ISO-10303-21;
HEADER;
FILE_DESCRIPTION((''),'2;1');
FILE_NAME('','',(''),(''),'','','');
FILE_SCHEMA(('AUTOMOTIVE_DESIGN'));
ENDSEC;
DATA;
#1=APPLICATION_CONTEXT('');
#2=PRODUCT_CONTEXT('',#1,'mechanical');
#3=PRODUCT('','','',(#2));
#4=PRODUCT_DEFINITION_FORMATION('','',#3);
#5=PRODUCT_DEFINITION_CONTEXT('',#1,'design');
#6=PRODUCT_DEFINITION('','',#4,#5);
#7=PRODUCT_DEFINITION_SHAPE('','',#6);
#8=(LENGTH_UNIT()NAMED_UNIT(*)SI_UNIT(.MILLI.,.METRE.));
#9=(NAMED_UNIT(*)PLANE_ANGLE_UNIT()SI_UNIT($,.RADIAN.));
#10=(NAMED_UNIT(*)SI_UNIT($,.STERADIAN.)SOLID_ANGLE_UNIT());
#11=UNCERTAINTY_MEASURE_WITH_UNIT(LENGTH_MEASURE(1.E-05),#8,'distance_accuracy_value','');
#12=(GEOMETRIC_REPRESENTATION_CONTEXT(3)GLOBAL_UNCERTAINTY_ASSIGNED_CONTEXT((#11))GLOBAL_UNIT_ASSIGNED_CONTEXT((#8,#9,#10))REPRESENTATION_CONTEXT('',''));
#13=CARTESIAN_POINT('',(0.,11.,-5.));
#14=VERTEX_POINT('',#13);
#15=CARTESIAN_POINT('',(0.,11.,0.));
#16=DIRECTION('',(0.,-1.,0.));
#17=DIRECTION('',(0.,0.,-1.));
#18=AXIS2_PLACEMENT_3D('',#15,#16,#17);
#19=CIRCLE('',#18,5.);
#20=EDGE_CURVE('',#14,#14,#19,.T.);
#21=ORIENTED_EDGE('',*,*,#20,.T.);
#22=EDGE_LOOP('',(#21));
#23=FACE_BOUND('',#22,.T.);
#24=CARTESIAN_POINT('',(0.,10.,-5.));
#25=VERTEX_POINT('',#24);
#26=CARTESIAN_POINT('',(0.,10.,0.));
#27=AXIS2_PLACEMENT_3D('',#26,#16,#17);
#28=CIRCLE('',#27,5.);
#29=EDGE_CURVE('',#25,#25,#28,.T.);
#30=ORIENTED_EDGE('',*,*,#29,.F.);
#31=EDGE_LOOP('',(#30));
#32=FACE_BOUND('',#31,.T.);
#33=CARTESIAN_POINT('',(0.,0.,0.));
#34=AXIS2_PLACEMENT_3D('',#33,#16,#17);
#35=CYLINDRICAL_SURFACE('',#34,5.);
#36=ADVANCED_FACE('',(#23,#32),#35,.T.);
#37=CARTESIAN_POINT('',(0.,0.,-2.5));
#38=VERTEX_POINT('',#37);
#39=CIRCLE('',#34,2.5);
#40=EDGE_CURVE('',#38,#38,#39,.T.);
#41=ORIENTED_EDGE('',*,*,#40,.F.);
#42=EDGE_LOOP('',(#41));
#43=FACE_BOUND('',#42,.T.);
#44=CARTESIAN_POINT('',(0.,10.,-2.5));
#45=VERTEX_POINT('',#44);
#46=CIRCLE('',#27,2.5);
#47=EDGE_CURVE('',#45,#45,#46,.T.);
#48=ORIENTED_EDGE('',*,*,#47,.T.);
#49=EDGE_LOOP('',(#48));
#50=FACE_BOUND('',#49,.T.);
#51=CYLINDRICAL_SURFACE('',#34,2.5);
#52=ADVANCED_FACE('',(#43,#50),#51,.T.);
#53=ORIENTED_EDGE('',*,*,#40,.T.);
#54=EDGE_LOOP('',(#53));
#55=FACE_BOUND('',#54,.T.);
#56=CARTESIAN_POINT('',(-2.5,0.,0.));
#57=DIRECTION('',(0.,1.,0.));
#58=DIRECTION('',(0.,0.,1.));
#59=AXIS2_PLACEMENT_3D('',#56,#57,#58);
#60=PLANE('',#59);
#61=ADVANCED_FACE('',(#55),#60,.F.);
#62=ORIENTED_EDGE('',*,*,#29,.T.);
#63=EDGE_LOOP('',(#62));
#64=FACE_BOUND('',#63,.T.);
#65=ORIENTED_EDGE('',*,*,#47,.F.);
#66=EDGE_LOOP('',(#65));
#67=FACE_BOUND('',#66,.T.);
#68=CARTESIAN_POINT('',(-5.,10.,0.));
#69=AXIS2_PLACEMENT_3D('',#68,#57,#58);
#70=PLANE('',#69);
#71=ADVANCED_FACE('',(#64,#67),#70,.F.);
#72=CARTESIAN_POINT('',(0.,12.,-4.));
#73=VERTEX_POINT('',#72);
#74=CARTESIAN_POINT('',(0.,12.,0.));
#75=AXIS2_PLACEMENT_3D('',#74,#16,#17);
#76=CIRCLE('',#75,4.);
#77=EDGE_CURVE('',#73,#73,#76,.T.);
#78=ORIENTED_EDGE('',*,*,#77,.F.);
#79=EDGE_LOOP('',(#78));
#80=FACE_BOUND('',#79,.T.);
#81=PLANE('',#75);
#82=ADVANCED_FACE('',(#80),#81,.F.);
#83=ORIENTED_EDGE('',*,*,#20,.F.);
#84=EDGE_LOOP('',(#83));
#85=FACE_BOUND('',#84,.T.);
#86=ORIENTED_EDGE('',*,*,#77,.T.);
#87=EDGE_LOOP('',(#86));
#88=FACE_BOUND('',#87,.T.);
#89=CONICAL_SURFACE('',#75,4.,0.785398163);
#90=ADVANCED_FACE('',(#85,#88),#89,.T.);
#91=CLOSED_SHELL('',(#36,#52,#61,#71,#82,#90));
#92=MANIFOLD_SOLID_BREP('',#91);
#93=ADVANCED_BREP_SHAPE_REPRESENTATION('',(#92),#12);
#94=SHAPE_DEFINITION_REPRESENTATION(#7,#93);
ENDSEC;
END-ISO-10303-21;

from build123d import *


with BuildPart() as part:
    # Esquisse1 → Révolution1 (revolve)
    with BuildSketch(Plane.XY, mode=Mode.PRIVATE) as r_volution1_sk:
        Polygon((0, 0), (0, 12), (-4, 12), (-5, 11), (-5, 10), (-2.5, 10), (-2.5, 0), align=None)
    revolve(r_volution1_sk.sketch.rotate(Axis((0, 0, 0), (0, 1, 0)), 270), axis=Axis((0, 0, 0), (0, 1, 0)))


solid = part.part
